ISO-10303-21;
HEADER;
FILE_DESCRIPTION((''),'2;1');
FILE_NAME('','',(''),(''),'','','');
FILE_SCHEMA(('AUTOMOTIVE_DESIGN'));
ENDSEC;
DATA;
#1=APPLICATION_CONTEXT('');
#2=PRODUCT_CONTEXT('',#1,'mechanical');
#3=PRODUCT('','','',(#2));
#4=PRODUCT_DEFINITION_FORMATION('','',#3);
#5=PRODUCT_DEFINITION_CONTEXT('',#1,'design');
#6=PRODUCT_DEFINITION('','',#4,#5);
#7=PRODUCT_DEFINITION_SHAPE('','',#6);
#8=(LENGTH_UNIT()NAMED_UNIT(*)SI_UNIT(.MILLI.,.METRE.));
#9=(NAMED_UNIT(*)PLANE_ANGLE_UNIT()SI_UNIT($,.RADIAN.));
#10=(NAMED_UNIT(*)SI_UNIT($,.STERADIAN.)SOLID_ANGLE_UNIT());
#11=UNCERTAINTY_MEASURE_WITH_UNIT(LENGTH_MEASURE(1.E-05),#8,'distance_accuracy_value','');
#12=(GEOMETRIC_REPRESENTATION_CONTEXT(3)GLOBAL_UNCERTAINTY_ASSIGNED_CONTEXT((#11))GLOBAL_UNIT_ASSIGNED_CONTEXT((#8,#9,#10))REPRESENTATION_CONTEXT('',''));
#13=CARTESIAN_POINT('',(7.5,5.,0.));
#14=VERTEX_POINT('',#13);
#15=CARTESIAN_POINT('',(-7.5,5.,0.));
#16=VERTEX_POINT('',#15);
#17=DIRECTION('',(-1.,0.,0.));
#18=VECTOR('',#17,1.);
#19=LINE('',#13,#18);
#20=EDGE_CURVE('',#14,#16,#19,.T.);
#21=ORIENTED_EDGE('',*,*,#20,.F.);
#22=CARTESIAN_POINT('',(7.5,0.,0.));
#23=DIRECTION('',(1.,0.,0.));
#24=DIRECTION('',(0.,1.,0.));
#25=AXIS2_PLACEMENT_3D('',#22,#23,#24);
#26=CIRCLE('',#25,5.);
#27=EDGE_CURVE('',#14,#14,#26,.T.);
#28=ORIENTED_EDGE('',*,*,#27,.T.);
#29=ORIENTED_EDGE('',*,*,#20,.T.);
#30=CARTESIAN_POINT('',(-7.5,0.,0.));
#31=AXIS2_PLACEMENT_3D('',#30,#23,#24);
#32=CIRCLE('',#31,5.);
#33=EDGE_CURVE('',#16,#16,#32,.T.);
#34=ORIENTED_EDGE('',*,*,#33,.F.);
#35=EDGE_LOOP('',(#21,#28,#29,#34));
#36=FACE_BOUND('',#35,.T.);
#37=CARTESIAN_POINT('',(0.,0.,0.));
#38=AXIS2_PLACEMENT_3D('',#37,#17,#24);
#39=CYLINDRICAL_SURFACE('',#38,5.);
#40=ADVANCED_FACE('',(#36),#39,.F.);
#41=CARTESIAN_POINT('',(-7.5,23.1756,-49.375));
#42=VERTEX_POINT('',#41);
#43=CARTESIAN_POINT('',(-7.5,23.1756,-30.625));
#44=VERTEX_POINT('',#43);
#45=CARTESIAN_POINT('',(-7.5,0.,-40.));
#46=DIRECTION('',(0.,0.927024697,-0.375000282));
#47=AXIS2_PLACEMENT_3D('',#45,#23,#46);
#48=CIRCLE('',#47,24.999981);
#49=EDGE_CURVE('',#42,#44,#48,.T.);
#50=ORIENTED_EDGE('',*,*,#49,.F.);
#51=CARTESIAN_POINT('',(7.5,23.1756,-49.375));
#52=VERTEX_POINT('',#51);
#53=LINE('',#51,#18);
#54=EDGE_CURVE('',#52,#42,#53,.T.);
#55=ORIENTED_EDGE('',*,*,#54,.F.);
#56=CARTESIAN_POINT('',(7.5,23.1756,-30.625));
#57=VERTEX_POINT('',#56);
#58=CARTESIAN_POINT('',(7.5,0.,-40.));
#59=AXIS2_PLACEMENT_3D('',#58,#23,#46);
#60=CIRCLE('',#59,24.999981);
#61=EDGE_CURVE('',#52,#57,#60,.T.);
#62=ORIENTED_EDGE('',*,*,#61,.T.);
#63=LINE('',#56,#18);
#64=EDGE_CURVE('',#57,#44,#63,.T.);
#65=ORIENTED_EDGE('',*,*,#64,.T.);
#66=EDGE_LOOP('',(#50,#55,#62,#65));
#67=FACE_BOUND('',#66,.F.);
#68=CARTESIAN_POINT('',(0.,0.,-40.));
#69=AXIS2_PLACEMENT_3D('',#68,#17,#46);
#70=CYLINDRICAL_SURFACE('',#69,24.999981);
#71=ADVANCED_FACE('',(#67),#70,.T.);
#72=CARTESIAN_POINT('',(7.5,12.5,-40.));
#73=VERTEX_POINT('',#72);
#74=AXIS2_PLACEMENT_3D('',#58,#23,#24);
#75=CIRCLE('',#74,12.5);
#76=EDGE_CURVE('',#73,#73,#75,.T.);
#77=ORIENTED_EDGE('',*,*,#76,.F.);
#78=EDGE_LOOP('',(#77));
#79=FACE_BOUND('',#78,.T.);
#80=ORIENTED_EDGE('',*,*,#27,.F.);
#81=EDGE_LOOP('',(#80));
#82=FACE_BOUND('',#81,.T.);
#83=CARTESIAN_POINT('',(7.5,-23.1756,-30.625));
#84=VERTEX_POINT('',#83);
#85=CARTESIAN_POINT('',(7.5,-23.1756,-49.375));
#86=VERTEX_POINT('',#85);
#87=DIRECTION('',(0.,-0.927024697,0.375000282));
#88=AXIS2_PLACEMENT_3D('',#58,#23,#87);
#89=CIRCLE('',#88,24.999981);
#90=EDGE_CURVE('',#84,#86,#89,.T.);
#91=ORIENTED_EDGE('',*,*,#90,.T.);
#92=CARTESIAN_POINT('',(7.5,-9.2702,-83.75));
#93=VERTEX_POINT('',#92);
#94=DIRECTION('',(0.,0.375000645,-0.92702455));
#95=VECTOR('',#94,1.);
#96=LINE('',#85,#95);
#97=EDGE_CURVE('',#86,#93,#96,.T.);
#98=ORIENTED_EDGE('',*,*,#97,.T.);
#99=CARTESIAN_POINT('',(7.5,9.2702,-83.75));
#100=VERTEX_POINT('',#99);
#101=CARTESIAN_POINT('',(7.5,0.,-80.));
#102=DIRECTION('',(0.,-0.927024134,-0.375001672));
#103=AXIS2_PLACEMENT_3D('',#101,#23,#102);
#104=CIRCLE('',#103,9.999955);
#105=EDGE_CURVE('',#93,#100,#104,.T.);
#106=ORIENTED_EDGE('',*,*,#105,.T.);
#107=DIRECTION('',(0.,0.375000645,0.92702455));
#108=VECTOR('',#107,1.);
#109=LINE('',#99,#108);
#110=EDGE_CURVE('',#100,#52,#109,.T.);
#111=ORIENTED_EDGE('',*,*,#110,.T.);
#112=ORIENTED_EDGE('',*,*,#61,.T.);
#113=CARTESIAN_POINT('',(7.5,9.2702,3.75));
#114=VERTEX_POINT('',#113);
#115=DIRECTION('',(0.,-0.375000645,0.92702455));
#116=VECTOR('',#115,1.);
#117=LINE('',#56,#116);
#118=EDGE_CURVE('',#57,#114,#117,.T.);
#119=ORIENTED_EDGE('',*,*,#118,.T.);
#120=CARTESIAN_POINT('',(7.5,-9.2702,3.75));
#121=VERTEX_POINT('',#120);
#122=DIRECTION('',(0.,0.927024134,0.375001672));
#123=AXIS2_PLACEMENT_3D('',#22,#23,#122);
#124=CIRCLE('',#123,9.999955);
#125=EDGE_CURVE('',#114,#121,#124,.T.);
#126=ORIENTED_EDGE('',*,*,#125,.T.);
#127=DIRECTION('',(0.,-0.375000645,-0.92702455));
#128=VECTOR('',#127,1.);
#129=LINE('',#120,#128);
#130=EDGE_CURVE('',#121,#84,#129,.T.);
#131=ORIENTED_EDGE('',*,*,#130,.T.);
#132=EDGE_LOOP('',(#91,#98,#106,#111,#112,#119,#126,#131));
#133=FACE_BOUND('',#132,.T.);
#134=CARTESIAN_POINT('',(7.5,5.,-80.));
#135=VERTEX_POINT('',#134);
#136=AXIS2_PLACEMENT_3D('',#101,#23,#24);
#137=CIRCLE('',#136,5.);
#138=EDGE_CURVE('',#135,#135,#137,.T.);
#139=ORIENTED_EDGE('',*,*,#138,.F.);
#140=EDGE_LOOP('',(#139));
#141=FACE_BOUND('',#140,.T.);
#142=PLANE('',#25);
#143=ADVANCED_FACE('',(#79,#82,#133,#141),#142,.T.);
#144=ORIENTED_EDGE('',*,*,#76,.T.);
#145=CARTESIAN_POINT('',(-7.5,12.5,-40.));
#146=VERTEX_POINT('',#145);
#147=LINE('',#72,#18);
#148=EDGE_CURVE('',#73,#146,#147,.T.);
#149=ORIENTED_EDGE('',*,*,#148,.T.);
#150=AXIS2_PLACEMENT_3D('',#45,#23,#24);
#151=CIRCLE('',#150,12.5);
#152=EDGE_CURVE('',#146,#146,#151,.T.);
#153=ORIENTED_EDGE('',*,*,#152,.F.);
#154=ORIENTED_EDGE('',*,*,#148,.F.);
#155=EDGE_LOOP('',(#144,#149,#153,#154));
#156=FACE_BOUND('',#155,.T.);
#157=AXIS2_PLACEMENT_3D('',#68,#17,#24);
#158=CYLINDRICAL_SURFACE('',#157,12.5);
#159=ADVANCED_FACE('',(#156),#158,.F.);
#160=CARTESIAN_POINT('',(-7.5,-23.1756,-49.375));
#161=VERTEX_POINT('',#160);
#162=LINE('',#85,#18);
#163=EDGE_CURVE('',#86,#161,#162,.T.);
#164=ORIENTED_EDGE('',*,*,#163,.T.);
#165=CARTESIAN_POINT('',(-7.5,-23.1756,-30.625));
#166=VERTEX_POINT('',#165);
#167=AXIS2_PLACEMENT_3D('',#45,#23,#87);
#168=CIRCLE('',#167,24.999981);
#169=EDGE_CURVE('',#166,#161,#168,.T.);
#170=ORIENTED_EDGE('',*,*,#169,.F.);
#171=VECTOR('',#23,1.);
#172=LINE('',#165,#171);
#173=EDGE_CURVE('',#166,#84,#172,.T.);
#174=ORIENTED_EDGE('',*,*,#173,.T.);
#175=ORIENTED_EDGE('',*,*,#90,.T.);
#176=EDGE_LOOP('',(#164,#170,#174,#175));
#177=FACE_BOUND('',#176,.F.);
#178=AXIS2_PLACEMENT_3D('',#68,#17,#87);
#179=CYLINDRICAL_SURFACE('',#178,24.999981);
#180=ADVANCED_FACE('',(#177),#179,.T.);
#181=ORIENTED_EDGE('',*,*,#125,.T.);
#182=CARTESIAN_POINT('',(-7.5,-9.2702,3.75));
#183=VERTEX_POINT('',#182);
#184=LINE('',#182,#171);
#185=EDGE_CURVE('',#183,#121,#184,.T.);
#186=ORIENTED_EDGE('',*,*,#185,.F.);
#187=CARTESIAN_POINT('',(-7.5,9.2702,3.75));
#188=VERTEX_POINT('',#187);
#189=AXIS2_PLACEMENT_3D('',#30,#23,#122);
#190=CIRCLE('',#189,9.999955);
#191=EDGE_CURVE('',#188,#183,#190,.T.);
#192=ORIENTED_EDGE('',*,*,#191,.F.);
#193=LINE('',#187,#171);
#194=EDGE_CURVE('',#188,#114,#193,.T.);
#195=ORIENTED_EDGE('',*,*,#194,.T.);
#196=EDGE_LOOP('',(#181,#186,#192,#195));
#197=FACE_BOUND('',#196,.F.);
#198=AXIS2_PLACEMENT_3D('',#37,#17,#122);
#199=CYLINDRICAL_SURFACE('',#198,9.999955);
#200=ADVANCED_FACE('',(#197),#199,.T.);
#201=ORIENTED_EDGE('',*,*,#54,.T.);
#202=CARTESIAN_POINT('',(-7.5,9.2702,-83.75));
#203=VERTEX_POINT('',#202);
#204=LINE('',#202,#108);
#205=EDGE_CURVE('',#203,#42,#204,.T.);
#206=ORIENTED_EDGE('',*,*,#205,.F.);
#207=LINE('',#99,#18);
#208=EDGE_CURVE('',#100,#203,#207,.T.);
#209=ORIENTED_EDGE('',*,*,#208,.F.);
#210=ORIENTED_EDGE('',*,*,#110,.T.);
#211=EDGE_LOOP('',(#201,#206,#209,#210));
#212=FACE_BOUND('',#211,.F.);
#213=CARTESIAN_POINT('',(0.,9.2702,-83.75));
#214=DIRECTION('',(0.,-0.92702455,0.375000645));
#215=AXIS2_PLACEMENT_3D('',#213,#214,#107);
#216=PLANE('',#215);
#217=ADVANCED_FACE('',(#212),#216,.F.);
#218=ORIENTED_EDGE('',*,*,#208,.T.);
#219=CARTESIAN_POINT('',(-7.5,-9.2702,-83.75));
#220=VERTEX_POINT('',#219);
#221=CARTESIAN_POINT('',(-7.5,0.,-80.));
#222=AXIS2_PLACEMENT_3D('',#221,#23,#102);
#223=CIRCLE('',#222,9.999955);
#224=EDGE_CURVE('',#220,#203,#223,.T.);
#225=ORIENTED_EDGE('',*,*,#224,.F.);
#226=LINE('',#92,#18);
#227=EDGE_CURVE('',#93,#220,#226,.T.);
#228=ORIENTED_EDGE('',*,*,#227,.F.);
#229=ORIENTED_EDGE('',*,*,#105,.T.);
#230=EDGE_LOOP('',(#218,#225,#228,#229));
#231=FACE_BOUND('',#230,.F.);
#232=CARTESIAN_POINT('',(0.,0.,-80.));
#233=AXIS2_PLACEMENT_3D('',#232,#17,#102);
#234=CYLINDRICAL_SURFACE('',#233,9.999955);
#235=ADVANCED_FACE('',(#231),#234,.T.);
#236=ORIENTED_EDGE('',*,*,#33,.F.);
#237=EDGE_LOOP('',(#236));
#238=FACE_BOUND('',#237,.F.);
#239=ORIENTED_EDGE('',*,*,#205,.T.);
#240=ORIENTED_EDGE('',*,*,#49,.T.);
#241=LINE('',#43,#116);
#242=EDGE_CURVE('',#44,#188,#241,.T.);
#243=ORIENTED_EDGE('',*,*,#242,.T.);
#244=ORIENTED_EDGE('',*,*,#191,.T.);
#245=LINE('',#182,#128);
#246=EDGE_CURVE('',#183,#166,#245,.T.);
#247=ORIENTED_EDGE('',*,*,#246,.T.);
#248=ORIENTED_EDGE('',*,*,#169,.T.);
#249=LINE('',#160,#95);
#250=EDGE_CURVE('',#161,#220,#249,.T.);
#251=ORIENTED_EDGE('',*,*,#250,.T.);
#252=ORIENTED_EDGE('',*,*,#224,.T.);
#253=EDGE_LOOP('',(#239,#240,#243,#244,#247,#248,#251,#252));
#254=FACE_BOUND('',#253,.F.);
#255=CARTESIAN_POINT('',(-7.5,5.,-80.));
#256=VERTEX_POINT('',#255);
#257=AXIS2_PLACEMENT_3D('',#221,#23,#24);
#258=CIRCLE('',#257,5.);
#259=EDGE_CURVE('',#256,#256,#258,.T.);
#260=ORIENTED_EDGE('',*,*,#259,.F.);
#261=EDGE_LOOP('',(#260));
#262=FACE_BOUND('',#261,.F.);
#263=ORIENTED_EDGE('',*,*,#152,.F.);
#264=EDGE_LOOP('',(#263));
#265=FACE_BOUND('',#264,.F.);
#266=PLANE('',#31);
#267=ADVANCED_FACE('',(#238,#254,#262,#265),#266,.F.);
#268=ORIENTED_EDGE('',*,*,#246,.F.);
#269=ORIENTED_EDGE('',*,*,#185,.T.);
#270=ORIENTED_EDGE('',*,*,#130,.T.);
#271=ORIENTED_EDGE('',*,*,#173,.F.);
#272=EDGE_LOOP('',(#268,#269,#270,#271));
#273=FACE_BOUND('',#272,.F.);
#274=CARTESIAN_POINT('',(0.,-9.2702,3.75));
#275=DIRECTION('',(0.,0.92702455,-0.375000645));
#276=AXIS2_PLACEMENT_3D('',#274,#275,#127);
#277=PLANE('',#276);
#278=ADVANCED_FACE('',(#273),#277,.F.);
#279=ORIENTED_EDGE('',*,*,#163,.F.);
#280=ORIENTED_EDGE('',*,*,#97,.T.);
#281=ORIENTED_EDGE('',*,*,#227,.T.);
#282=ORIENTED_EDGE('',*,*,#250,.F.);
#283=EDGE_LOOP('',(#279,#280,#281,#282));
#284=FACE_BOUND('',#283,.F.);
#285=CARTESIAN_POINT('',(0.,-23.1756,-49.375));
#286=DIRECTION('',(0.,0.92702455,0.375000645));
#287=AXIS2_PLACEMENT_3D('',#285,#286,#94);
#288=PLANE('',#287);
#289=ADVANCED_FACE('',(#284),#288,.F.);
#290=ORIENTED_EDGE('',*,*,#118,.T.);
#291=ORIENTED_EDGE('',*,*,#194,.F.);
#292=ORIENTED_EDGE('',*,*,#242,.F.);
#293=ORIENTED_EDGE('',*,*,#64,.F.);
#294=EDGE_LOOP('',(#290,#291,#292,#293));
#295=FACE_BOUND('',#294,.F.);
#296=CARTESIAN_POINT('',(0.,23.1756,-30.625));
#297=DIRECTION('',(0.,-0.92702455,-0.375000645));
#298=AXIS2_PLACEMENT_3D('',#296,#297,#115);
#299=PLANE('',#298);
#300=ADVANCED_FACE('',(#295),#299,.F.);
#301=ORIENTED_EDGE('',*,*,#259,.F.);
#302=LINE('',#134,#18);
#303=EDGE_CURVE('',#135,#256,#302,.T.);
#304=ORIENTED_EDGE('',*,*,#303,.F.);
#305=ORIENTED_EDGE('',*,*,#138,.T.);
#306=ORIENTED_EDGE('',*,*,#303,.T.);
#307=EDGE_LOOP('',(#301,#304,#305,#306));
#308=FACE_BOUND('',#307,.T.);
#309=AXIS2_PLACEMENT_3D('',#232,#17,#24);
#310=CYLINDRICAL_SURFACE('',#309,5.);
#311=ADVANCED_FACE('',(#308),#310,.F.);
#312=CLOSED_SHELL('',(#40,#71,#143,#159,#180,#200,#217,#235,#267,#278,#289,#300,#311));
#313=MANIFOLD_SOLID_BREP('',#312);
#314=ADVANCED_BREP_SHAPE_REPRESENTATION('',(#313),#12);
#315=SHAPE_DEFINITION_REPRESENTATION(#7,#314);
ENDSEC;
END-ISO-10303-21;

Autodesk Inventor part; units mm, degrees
ref_plane "YZ Plane" through (0, 0, 0) normal (1, 0, 0) x (0, 1, 0)
ref_plane "XZ Plane" through (0, 0, 0) normal (0, 1, 0) x (-1, 0, 0)
ref_plane "XY Plane" through (0, 0, 0) normal (0, 0, 1) x (1, 0, 0)
sketch "Sketch1" plane through (0, 0, 0) normal (1, 0, 0) x (0, 1, 0)
  line L0 (0, 0) -> (0, -80) construction
  line L1 (0, -80) -> (0, -40) construction
  circle A0 centre (0, 0) radius 5
  circle A1 centre (0, -80) radius 5
  circle A2 centre (0, -40) radius 12.5
  arc A3 (9.2702, 3.75) -> (-9.2702, 3.75) centre (0, 0) ccw
  arc A4 (-9.2702, -83.75) -> (9.2702, -83.75) centre (0, -80) ccw
  line L2 (23.1756, -30.625) -> (9.2702, 3.75)
  line L3 (9.2702, -83.75) -> (23.1756, -49.375)
  line L4 (26.968, -40) -> (26.9992, -39.9228)
  line L5 (-9.2702, 3.75) -> (-23.1756, -30.625)
  line L6 (-23.1756, -49.375) -> (-9.2702, -83.75)
  arc A5 (23.1756, -49.375) -> (23.1756, -30.625) centre (0, -40) ccw
  arc A6 (-23.1756, -30.625) -> (-23.1756, -49.375) centre (0, -40) ccw
  dimension "d0" = 80
  dimension "d1" = 40
  dimension "d2" = 10
  dimension "d3" = 10
  dimension "d4" = 25
  dimension "d6" = 20
  dimension "d7" = 20
extrude "Extrusion1" add sketch "Sketch1" along normal mid plane 15
